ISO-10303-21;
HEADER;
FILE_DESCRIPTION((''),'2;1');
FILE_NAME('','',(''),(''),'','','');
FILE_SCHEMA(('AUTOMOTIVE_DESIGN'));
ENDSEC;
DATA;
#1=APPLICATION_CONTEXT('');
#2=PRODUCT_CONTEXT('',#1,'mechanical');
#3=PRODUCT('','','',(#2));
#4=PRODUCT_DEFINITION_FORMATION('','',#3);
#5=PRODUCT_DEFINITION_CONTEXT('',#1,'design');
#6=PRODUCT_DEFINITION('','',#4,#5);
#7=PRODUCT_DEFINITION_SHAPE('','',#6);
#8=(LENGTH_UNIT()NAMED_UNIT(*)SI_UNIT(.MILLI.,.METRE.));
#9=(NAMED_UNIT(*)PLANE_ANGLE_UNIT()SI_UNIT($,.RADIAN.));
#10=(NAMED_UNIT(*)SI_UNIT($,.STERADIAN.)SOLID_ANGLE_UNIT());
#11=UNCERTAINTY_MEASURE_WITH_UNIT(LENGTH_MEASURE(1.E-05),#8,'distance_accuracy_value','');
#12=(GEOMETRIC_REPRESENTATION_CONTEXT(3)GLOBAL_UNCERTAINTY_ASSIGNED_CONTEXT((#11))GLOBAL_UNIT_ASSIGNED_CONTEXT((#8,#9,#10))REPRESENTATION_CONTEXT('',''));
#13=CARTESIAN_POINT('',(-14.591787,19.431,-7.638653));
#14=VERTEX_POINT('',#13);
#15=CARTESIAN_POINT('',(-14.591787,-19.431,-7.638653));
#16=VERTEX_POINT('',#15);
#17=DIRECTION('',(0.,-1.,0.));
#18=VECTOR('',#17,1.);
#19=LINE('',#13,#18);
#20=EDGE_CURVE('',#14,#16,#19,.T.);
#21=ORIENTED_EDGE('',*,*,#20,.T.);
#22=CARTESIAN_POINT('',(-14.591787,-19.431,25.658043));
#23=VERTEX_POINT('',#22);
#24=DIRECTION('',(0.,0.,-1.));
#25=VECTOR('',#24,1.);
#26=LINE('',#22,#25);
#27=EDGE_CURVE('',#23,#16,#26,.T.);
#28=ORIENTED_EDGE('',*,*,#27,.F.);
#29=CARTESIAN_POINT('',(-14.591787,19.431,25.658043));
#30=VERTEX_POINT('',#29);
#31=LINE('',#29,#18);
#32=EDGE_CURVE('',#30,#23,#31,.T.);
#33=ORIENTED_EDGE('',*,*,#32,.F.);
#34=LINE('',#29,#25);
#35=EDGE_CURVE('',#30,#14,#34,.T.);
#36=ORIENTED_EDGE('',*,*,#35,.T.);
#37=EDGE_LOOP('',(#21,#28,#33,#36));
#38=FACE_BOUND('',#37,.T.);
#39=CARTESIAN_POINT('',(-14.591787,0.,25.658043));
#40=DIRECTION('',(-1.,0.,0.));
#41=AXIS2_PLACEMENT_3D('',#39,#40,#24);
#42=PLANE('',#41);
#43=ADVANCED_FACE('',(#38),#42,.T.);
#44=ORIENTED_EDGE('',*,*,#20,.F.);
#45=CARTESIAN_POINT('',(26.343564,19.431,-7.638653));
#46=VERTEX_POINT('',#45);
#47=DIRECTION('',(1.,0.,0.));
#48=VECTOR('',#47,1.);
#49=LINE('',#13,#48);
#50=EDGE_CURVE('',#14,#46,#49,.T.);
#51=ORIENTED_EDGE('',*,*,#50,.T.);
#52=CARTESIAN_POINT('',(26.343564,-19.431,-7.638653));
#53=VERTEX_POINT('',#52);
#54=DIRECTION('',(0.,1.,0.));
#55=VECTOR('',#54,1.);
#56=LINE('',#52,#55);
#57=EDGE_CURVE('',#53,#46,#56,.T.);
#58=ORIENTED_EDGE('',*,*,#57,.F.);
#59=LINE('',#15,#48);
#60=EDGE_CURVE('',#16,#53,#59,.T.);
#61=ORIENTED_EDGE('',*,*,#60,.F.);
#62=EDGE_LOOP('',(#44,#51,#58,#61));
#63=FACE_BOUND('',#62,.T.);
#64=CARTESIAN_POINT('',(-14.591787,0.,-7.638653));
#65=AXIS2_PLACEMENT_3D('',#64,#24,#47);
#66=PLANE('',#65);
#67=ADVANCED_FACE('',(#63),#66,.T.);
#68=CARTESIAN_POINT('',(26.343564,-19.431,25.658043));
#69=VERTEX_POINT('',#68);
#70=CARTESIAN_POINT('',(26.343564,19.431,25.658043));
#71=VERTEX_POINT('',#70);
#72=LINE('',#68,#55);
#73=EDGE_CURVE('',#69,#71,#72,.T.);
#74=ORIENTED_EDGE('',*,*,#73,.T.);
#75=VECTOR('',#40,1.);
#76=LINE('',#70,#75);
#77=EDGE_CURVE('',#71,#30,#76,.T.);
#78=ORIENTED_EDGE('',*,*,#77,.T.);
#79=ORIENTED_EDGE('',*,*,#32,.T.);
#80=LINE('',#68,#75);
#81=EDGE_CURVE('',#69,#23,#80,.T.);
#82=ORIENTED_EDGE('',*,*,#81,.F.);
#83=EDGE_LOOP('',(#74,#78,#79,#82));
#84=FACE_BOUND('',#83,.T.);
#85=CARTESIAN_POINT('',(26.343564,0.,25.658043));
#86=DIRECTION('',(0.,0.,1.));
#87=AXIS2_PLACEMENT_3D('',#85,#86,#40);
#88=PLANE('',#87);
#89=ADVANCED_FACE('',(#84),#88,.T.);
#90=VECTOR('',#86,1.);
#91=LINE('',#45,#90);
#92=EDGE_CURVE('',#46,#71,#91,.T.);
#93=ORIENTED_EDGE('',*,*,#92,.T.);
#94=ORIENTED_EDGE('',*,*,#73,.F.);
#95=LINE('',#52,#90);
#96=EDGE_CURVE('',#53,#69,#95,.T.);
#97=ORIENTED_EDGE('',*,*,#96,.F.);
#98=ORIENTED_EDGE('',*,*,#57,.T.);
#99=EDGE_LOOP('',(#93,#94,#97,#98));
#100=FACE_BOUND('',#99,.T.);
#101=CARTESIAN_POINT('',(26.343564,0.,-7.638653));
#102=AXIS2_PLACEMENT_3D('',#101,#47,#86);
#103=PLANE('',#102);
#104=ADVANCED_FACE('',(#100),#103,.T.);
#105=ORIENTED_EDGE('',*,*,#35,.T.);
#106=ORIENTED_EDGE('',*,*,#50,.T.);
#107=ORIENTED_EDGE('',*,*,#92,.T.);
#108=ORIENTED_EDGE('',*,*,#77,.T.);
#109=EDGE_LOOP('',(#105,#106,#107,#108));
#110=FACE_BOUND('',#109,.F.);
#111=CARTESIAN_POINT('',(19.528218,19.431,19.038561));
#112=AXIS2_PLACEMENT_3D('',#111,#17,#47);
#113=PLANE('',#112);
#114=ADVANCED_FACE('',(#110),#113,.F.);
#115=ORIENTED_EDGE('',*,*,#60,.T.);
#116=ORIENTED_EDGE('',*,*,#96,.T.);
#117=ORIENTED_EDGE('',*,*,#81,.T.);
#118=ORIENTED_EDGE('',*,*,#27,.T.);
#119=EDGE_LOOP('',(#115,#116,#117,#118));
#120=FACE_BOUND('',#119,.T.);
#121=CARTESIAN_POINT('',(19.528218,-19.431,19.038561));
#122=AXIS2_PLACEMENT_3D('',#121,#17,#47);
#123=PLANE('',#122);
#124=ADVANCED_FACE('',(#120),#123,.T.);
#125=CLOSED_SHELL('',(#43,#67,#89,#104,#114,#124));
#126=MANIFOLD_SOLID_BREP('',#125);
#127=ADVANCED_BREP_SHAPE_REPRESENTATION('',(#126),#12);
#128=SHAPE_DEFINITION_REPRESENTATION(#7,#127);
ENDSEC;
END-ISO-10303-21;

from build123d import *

# Parameters (mm, degrees)
F0_W     = 14.5917870104
F0_H     = 25.6580431014
F1_DEPTH = 19.431


with BuildPart() as f1:
    # F0 (on Front) → F1 (new body, symmetric)
    with BuildSketch(Plane.XZ):
        Polygon((26.3435635716, 25.6580431014), (7.1489955299, 25.6580431014), (26.3435635716, 6.8552019075), align=None)
        Polygon((0, 25.6580431014), (0, 0), (-14.5917870104, 0), (-14.5917870104, -7.6386532746), (26.3435635716, -7.6386532746), (26.3435635716, 6.8552019075), (7.1489955299, 25.6580431014), align=None)
        with Locations((-7.2958935052, 12.8290215507)):
            Rectangle(F0_W, F0_H)
    extrude(amount=F1_DEPTH, both=True)


solid = f1.part
